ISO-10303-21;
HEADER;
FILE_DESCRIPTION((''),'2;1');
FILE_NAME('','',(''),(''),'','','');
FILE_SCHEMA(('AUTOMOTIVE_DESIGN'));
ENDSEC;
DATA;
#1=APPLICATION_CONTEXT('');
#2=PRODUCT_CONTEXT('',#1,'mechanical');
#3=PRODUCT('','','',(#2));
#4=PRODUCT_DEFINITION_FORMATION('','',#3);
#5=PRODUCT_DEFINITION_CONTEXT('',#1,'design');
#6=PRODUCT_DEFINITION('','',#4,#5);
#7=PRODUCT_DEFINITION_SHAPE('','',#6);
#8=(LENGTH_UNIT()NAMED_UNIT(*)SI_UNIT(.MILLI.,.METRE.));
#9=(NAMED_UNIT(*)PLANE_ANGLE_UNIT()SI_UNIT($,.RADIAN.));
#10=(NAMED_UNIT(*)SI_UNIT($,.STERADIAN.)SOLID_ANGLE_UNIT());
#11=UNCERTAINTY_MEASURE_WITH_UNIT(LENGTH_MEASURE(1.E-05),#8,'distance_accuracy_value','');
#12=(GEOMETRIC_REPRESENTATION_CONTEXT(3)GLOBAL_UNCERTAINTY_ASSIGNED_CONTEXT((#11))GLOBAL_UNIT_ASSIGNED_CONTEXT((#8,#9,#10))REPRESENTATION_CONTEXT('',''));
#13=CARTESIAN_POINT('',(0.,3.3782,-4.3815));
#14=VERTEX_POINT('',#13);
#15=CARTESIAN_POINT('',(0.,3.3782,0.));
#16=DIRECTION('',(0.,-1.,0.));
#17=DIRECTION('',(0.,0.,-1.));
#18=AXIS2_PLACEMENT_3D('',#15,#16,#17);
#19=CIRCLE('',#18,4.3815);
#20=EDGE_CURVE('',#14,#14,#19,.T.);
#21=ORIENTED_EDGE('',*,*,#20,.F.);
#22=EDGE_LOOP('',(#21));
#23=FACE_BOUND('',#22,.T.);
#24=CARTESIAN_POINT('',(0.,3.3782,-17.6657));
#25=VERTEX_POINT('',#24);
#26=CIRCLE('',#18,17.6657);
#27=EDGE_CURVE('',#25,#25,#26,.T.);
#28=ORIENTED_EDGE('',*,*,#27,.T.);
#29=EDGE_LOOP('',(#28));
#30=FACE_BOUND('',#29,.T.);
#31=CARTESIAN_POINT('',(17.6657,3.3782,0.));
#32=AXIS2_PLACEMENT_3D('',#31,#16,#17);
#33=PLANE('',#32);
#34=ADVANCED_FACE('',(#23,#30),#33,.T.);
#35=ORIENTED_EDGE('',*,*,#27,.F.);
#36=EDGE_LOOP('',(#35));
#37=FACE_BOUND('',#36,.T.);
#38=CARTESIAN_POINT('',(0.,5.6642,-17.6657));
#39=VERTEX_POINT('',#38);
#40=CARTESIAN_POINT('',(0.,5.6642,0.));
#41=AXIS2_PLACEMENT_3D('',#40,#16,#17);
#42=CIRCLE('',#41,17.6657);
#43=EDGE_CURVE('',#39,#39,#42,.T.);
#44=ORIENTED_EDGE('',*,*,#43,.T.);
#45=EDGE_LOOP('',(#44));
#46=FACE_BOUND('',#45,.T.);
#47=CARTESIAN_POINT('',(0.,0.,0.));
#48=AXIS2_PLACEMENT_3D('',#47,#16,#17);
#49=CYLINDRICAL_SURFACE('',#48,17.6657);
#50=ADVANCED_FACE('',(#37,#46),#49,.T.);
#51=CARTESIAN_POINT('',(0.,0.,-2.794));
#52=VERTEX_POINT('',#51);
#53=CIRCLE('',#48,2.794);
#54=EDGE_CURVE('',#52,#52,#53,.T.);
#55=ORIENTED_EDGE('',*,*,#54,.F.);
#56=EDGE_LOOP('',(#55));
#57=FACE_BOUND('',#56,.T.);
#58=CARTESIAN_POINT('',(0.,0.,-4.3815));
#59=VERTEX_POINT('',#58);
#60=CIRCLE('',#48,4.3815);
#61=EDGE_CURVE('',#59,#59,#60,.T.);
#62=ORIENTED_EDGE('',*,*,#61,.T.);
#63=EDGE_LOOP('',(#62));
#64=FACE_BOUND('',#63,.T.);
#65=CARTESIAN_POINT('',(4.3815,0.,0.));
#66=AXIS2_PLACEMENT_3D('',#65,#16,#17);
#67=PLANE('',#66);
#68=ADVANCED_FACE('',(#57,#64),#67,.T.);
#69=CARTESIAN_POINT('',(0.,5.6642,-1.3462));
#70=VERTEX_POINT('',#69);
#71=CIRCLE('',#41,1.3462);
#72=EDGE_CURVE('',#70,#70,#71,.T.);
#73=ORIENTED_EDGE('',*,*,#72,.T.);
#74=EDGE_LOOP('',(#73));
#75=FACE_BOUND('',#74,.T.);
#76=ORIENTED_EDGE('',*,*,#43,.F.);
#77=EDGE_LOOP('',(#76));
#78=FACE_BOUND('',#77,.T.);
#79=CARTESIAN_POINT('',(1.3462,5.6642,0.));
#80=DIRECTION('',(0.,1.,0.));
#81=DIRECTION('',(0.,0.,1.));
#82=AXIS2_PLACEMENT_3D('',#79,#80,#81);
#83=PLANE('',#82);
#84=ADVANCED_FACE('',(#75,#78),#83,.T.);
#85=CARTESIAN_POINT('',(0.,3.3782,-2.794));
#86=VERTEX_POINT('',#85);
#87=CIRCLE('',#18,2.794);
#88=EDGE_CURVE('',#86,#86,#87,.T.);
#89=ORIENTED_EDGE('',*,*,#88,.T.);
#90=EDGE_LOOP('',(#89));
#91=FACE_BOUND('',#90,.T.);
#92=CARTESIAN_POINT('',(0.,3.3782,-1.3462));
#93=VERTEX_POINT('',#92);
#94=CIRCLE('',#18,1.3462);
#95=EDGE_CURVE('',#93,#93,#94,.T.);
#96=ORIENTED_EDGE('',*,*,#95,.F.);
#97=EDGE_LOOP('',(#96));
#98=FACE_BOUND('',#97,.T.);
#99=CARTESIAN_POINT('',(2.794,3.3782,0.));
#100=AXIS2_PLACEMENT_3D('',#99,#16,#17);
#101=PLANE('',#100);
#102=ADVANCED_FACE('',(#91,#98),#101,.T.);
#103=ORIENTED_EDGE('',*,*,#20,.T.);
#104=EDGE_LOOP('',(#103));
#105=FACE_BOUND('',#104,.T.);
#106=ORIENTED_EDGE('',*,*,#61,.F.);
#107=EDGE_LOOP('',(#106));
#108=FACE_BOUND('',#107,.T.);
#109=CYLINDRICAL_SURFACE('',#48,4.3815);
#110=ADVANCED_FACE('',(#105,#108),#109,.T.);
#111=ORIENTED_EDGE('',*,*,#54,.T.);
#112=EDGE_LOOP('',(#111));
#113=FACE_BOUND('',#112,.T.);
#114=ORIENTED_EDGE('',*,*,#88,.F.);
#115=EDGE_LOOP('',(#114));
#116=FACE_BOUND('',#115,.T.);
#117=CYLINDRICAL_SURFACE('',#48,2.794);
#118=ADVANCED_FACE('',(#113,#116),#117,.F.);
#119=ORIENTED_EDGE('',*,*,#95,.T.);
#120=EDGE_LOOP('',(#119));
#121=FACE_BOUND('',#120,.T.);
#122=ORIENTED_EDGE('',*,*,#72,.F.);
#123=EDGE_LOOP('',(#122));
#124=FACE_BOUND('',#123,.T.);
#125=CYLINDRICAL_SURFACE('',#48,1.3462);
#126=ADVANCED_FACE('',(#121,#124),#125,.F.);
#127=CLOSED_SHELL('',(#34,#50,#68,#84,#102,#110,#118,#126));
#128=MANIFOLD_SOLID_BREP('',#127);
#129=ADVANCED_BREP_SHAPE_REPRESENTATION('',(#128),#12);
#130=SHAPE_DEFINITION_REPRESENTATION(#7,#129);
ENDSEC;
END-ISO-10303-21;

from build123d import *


with BuildPart() as part:
    # Sketch1 → Revolve1 (revolve)
    with BuildSketch(Plane.XY, mode=Mode.PRIVATE) as revolve1_sk:
        Polygon((2.794, 0), (2.794, 3.3782), (1.3462, 3.3782), (1.3462, 5.6642), (17.6657, 5.6642), (17.6657, 3.3782), (4.3815, 3.3782), (4.3815, 0), align=None)
    revolve(revolve1_sk.sketch.rotate(Axis((0, 0, 0), (0, 1, 0)), 90), axis=Axis((0, 0, 0), (0, 1, 0)))


solid = part.part
